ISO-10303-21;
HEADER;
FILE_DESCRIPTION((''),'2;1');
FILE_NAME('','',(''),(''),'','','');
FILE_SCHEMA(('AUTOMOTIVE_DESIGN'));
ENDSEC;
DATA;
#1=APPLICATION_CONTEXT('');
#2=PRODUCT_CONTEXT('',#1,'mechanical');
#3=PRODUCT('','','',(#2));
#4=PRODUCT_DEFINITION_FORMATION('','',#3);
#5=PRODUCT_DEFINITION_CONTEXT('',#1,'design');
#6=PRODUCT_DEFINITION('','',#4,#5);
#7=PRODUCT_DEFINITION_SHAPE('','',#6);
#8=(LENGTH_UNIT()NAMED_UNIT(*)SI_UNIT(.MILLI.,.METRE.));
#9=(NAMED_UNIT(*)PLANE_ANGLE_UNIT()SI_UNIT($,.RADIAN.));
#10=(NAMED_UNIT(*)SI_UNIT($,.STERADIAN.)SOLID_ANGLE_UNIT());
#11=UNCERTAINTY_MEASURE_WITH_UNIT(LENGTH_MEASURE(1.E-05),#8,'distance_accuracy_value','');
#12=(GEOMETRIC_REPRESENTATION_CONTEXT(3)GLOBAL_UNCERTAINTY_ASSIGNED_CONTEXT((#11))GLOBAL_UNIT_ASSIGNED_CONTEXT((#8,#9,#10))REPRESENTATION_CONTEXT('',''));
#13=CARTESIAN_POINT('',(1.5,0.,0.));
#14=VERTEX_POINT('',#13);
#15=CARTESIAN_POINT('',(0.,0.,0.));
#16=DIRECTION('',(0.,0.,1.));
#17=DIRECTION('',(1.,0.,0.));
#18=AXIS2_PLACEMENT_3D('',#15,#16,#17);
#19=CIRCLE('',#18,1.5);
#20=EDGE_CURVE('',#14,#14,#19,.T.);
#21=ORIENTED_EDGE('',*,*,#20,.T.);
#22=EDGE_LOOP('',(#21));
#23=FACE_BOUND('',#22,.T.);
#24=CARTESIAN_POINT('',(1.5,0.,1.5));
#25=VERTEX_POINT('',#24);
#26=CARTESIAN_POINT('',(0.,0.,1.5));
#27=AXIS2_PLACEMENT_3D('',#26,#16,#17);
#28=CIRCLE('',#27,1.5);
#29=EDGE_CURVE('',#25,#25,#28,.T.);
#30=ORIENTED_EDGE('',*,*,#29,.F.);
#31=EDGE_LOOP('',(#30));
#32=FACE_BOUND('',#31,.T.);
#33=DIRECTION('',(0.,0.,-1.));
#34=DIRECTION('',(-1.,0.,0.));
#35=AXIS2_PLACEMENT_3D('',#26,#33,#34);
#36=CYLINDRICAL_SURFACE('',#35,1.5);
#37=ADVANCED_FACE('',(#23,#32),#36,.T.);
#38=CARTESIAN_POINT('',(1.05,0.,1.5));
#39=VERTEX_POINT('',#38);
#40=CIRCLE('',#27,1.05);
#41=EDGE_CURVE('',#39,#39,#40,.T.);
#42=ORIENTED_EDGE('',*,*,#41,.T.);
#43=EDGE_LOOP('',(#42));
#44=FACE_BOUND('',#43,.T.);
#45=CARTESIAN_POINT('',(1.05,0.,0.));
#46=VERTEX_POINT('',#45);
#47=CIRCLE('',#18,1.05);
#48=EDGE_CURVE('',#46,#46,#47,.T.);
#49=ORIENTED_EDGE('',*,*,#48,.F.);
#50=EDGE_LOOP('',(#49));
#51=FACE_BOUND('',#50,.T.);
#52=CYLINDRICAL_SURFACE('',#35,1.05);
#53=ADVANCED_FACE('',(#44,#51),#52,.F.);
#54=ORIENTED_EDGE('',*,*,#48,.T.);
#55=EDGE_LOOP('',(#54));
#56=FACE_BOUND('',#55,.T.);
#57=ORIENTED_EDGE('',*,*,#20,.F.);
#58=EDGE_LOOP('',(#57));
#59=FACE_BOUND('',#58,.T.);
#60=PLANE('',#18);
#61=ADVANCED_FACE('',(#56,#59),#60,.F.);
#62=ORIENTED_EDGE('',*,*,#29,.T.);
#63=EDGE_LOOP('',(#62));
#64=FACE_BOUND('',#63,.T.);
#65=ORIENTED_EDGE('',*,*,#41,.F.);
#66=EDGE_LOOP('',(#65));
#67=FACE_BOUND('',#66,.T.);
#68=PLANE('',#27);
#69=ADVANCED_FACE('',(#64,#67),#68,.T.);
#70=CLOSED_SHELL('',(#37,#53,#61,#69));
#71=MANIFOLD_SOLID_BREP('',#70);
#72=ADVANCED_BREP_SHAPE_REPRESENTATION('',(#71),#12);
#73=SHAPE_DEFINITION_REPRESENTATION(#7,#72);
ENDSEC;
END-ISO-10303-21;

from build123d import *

# Parameters (mm, degrees)
SKETCH1_R    = 1.5
SKETCH1_R_2  = 1.05
SPACER_DEPTH = 1.5


with BuildPart() as part:
    # Sketch1 → Spacer (new body)
    with BuildSketch(Plane.XY):
        Circle(SKETCH1_R)
        Circle(SKETCH1_R_2, mode=Mode.SUBTRACT)
    extrude(amount=SPACER_DEPTH)


solid = part.part
